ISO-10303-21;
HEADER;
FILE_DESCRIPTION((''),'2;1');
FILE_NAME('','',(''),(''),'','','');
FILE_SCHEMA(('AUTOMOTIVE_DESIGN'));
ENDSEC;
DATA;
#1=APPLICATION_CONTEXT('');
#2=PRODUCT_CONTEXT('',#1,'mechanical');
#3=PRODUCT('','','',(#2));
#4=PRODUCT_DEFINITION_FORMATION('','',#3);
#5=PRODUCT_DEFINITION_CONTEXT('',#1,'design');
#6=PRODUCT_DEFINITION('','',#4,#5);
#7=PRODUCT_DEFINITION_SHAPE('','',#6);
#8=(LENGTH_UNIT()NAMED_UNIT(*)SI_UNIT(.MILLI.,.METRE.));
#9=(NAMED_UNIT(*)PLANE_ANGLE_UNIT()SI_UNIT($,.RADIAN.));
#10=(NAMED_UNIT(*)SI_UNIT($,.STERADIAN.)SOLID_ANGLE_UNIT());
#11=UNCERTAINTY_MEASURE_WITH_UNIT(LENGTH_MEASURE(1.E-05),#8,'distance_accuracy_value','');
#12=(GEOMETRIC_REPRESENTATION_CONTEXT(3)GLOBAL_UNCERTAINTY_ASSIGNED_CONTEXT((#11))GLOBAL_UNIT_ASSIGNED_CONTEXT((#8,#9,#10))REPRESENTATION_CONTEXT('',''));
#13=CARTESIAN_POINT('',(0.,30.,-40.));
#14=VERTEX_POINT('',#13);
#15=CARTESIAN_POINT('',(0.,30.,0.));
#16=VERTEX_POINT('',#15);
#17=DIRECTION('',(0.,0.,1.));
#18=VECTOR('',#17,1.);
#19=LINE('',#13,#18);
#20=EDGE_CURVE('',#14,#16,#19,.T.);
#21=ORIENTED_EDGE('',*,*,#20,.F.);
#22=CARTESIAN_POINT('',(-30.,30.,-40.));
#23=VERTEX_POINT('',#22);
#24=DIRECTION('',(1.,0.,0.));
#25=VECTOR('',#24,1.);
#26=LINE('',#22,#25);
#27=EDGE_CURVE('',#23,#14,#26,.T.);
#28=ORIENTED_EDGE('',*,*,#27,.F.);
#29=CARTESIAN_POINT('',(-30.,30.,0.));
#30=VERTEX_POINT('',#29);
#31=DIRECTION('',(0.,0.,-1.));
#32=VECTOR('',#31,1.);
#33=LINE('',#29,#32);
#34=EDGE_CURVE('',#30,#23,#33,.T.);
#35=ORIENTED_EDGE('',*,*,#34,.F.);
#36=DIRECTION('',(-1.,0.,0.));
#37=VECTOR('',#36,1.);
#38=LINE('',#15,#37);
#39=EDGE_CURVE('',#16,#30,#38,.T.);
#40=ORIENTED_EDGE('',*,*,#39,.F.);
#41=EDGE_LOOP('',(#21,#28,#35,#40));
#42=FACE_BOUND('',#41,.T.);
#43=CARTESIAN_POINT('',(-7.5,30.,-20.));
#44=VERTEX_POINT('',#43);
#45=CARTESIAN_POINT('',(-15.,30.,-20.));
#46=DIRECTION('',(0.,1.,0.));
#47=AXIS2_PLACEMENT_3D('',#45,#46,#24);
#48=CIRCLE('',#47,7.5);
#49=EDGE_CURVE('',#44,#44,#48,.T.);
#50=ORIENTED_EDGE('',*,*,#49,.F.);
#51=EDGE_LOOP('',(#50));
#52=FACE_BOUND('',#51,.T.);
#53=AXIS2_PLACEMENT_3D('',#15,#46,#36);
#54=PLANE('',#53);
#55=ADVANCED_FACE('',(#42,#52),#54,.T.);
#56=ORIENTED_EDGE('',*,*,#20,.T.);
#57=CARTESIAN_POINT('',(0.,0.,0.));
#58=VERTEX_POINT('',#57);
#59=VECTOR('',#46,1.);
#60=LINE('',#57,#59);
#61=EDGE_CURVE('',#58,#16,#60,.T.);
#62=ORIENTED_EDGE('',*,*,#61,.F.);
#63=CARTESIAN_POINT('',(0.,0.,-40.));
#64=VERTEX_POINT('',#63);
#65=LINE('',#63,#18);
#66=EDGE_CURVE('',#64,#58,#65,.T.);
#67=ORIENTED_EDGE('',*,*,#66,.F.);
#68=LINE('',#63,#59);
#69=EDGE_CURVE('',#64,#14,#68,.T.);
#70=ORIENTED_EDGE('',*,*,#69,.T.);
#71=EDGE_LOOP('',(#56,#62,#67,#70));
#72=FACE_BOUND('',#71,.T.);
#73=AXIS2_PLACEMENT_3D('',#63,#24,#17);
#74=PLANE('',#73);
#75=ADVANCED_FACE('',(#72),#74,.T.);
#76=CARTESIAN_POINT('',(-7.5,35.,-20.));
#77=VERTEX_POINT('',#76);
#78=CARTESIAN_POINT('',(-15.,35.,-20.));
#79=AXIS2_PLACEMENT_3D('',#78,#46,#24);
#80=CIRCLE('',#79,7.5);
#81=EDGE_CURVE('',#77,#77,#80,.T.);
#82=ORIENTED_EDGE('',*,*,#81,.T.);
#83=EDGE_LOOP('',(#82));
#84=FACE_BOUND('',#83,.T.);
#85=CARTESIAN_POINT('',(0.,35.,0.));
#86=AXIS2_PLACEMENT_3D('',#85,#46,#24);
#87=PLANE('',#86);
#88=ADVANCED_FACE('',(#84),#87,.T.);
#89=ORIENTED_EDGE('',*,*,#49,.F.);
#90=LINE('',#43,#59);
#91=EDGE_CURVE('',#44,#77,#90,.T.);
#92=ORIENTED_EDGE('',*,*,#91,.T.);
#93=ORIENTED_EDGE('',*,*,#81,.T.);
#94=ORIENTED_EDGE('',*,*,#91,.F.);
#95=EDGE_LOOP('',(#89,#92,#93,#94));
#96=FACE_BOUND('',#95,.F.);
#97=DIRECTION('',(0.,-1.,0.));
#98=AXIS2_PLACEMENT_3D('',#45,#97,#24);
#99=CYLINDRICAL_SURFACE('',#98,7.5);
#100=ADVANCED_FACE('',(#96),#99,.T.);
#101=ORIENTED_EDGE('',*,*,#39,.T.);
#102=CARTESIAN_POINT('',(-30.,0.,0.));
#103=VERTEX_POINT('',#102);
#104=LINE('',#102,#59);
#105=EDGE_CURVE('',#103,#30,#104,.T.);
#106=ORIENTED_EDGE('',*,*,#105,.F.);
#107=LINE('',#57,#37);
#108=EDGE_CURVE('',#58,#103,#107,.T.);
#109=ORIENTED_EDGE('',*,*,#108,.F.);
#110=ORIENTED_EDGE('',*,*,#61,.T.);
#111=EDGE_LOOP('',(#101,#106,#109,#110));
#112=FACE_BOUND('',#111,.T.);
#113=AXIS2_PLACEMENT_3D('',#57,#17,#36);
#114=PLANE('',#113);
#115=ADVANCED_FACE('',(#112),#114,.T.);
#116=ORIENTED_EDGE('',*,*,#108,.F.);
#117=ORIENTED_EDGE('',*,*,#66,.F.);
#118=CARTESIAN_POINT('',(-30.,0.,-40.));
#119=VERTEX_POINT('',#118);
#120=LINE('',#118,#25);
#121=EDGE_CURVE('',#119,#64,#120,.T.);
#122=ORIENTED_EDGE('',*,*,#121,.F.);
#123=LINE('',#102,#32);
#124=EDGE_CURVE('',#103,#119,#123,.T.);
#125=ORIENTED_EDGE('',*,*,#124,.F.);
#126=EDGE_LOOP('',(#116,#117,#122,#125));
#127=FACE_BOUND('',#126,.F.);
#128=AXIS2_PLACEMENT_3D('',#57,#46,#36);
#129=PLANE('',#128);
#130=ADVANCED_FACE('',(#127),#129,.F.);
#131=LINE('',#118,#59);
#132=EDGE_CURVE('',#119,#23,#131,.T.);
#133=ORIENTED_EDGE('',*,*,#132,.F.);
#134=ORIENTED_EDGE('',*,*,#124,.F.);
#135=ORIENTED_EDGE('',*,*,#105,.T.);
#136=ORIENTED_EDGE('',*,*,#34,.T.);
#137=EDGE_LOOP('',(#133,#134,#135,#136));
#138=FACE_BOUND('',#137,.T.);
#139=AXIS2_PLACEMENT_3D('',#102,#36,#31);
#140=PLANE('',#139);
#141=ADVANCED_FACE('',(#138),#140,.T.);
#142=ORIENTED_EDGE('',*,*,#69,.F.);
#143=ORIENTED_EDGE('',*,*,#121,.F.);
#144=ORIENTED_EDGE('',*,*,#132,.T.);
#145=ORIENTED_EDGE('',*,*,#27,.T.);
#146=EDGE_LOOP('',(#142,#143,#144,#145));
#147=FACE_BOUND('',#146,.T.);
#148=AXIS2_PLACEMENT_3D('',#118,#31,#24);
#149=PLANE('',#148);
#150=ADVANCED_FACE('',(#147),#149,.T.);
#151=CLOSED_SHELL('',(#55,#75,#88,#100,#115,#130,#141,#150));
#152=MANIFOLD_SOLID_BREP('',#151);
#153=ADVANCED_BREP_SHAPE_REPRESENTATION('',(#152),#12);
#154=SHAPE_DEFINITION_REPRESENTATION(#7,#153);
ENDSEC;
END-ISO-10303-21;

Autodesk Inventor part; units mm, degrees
ref_plane "YZ Plane" through (0, 0, 0) normal (1, 0, 0) x (0, 1, 0)
ref_plane "XZ Plane" through (0, 0, 0) normal (0, 1, 0) x (-1, 0, 0)
ref_plane "XY Plane" through (0, 0, 0) normal (0, 0, 1) x (1, 0, 0)
sketch "Sketch1" plane through (0, 0, 0) normal (0, 1, 0) x (-1, 0, 0)
  line L0 (0, 0) -> (30, 0)
  line L1 (30, 0) -> (30, -40)
  line L2 (30, -40) -> (0, -40)
  line L3 (0, -40) -> (0, 0)
  dimension "d0" = 30
  dimension "d1" = 40
extrude "Extrusion1" add sketch "Sketch1" along normal blind 30
sketch "Sketch2" plane through (0, 30, 0) normal (0, 1, 0) x (1, 0, 0)
  circle A0 centre (-15, 20) radius 7.5
  line L0 (-30, 0) -> (0, 0) projected
  line L1 (-30, 40) -> (-30, 0) projected
  dimension "d4" = 20
  dimension "d5" = 15
  dimension "d6" = 15
extrude "Extrusion2" add sketch "Sketch2" along normal blind 5
properties part number "camera"
